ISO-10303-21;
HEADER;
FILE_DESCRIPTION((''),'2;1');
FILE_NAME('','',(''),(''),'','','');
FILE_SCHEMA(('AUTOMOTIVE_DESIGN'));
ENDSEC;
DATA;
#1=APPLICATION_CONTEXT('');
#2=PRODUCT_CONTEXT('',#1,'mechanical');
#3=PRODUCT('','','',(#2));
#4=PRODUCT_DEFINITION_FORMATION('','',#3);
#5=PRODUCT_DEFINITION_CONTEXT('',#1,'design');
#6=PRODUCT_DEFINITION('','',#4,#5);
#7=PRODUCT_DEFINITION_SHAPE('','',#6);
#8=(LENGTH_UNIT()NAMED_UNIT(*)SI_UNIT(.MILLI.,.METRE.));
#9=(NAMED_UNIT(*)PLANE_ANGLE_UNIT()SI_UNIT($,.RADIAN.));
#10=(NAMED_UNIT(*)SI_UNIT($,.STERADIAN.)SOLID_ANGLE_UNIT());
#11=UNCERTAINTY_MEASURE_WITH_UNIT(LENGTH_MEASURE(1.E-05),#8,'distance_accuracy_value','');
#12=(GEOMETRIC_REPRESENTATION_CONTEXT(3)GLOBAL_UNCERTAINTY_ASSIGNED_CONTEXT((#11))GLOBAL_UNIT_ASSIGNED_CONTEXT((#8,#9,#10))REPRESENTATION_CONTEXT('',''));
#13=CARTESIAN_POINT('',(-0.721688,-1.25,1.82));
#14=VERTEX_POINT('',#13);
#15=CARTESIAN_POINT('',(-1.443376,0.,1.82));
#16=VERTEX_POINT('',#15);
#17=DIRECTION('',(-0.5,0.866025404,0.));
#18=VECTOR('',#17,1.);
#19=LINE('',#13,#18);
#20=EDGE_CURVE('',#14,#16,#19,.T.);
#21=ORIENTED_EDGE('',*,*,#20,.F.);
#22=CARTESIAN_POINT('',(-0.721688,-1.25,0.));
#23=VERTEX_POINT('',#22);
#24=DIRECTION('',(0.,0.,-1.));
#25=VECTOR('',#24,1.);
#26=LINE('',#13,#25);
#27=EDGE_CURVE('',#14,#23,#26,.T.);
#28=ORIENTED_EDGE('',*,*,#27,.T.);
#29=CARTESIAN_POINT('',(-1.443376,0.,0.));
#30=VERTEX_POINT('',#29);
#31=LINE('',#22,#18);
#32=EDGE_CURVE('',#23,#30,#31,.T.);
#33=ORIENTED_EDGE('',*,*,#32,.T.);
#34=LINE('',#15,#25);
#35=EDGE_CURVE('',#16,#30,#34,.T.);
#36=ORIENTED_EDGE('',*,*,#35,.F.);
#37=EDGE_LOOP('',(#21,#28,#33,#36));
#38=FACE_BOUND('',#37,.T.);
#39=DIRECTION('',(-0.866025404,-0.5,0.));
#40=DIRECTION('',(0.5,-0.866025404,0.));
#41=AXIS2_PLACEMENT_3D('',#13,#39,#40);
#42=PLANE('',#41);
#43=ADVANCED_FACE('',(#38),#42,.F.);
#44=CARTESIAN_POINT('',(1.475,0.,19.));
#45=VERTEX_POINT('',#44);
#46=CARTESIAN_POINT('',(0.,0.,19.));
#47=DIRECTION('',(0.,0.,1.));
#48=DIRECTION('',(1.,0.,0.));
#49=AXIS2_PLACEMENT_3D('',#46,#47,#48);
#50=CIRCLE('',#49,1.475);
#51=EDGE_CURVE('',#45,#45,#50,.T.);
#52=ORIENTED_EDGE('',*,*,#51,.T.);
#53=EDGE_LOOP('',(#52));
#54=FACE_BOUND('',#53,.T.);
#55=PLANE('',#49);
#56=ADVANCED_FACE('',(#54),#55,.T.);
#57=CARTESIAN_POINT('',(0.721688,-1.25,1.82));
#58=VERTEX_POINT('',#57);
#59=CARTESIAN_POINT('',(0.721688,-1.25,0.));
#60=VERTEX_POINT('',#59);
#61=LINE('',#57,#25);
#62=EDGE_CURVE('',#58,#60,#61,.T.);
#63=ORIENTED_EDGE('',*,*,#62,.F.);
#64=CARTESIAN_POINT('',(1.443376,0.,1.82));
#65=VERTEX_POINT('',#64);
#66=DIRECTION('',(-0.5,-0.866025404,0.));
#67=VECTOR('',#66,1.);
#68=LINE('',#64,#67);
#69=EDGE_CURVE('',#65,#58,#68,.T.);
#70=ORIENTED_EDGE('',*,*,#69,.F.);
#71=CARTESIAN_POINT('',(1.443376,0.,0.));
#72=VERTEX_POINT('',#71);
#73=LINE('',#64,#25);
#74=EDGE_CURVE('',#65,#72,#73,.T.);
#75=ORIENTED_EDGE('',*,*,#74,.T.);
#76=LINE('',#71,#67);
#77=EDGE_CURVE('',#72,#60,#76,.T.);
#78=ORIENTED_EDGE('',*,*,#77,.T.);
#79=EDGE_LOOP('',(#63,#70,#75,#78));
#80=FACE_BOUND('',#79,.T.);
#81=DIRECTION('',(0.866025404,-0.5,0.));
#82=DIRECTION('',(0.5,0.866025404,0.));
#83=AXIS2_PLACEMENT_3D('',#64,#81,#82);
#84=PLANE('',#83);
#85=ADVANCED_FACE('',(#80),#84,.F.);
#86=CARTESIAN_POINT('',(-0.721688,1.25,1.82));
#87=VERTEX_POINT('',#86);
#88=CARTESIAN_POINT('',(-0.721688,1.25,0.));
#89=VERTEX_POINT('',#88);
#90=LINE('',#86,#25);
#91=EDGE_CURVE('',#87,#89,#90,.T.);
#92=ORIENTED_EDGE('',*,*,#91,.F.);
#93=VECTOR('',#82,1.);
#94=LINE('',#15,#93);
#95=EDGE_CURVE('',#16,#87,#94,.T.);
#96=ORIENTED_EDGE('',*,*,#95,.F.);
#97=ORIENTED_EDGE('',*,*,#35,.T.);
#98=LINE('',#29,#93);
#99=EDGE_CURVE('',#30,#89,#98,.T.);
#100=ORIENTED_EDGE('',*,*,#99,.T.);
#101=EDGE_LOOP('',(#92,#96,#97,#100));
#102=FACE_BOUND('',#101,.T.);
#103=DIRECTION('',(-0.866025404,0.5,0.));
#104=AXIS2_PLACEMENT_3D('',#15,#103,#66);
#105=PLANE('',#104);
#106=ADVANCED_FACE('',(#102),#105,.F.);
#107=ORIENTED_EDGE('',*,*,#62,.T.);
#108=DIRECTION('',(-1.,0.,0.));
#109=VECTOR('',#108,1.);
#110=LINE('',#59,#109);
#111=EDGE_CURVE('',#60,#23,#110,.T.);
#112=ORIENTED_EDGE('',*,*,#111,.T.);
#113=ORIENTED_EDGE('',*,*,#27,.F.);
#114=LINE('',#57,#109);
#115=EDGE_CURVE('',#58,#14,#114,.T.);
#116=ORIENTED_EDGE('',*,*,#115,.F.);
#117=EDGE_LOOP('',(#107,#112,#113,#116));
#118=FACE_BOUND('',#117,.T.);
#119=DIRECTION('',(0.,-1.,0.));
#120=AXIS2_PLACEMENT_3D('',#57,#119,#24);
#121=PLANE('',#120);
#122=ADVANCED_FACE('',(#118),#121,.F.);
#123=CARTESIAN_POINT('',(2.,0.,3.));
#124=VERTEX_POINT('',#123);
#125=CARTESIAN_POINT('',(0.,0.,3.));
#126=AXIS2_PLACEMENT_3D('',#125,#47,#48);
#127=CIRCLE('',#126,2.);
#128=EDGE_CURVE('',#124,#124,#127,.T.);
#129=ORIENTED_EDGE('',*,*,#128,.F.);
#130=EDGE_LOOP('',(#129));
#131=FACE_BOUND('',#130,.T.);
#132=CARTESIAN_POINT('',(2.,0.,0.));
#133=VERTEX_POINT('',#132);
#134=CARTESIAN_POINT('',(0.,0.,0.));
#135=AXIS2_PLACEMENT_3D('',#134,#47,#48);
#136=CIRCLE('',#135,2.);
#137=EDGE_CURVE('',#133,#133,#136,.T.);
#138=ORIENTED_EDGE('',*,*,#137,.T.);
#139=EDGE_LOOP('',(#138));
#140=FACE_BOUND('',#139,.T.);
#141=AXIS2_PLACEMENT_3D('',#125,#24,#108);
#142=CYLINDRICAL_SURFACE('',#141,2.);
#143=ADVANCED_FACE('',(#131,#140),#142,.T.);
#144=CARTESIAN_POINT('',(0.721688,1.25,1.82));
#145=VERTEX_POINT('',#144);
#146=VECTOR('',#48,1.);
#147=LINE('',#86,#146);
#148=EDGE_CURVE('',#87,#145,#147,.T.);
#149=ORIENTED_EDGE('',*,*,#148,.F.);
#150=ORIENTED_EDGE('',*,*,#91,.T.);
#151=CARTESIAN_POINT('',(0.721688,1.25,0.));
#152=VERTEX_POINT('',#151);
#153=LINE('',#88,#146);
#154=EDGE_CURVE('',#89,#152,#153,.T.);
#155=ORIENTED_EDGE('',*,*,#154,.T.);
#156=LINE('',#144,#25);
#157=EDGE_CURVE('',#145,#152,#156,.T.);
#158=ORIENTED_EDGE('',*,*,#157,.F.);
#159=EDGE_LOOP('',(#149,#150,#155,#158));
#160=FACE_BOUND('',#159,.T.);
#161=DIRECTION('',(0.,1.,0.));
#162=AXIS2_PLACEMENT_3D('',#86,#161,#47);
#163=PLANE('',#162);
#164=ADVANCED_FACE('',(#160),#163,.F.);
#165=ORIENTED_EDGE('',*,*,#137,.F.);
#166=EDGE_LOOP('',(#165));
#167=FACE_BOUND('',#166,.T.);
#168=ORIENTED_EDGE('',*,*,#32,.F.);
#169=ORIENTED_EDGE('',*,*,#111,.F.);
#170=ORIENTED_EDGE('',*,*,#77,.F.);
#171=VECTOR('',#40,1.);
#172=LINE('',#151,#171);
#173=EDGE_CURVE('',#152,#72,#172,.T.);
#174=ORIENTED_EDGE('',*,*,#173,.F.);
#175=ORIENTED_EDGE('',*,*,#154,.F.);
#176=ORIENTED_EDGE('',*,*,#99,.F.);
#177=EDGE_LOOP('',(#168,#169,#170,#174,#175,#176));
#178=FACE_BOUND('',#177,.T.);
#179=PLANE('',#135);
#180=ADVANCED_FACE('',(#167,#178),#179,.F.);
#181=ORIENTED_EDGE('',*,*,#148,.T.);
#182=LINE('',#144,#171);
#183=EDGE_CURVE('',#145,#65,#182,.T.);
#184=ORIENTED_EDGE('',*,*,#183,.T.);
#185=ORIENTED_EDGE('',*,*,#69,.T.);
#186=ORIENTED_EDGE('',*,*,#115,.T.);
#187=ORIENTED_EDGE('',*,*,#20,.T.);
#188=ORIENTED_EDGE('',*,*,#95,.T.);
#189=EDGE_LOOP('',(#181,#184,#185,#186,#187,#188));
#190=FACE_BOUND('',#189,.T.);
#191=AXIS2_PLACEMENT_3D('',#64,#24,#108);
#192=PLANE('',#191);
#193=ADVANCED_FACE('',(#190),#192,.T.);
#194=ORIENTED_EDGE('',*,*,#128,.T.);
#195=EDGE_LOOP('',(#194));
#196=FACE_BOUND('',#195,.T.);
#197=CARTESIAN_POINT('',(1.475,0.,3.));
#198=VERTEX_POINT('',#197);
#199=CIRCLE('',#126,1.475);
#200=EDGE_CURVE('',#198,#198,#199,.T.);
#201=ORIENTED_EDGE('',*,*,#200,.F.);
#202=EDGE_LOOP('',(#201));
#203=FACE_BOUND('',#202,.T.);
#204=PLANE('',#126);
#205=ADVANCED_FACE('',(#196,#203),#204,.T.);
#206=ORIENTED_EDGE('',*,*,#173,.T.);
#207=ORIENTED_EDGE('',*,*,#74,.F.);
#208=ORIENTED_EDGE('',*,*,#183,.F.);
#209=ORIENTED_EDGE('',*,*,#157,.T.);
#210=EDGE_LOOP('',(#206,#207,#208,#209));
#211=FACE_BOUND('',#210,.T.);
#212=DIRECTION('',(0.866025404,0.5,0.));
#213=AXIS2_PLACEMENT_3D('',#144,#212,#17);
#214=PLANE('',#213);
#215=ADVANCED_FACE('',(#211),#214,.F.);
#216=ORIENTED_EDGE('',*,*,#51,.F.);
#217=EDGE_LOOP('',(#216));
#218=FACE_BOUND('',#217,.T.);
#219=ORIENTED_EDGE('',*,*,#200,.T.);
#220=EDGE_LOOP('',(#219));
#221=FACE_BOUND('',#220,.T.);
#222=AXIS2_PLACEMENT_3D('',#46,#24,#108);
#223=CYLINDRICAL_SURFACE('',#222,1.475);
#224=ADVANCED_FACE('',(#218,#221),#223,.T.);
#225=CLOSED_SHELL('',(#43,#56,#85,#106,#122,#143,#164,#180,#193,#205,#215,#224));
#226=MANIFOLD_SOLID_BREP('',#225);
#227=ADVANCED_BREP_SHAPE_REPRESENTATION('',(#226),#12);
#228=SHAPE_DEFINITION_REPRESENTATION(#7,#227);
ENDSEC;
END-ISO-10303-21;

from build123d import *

# Parameters (mm, degrees)
SKETCH1_R      = 2
EXTRUDE1_DEPTH = 3
EXTRUDE3_DEPTH = 1.82
SKETCH2_R      = 1.475
EXTRUDE2_DEPTH = 16


with BuildPart() as part:
    # Sketch1 → Extrude1 (new body)
    with BuildSketch(Plane.XY):
        Circle(SKETCH1_R)
    extrude(amount=EXTRUDE1_DEPTH)

    # Sketch3 → Extrude3 (cut)
    with BuildSketch(Plane(origin=(0, 0, 0), x_dir=(-1, 0, 0), z_dir=(0, 0, -1))):
        Polygon((-1.443375673, 0), (-0.721687836, -1.25), (0.721687836, -1.25), (1.443375673, 0), (0.721687836, 1.25), (-0.721687836, 1.25), align=None)
    extrude(amount=-EXTRUDE3_DEPTH, mode=Mode.SUBTRACT)

    # Sketch2 → Extrude2 (add)
    with BuildSketch(Plane.XY.offset(3)):
        Circle(SKETCH2_R)
    extrude(amount=EXTRUDE2_DEPTH)


solid = part.part
